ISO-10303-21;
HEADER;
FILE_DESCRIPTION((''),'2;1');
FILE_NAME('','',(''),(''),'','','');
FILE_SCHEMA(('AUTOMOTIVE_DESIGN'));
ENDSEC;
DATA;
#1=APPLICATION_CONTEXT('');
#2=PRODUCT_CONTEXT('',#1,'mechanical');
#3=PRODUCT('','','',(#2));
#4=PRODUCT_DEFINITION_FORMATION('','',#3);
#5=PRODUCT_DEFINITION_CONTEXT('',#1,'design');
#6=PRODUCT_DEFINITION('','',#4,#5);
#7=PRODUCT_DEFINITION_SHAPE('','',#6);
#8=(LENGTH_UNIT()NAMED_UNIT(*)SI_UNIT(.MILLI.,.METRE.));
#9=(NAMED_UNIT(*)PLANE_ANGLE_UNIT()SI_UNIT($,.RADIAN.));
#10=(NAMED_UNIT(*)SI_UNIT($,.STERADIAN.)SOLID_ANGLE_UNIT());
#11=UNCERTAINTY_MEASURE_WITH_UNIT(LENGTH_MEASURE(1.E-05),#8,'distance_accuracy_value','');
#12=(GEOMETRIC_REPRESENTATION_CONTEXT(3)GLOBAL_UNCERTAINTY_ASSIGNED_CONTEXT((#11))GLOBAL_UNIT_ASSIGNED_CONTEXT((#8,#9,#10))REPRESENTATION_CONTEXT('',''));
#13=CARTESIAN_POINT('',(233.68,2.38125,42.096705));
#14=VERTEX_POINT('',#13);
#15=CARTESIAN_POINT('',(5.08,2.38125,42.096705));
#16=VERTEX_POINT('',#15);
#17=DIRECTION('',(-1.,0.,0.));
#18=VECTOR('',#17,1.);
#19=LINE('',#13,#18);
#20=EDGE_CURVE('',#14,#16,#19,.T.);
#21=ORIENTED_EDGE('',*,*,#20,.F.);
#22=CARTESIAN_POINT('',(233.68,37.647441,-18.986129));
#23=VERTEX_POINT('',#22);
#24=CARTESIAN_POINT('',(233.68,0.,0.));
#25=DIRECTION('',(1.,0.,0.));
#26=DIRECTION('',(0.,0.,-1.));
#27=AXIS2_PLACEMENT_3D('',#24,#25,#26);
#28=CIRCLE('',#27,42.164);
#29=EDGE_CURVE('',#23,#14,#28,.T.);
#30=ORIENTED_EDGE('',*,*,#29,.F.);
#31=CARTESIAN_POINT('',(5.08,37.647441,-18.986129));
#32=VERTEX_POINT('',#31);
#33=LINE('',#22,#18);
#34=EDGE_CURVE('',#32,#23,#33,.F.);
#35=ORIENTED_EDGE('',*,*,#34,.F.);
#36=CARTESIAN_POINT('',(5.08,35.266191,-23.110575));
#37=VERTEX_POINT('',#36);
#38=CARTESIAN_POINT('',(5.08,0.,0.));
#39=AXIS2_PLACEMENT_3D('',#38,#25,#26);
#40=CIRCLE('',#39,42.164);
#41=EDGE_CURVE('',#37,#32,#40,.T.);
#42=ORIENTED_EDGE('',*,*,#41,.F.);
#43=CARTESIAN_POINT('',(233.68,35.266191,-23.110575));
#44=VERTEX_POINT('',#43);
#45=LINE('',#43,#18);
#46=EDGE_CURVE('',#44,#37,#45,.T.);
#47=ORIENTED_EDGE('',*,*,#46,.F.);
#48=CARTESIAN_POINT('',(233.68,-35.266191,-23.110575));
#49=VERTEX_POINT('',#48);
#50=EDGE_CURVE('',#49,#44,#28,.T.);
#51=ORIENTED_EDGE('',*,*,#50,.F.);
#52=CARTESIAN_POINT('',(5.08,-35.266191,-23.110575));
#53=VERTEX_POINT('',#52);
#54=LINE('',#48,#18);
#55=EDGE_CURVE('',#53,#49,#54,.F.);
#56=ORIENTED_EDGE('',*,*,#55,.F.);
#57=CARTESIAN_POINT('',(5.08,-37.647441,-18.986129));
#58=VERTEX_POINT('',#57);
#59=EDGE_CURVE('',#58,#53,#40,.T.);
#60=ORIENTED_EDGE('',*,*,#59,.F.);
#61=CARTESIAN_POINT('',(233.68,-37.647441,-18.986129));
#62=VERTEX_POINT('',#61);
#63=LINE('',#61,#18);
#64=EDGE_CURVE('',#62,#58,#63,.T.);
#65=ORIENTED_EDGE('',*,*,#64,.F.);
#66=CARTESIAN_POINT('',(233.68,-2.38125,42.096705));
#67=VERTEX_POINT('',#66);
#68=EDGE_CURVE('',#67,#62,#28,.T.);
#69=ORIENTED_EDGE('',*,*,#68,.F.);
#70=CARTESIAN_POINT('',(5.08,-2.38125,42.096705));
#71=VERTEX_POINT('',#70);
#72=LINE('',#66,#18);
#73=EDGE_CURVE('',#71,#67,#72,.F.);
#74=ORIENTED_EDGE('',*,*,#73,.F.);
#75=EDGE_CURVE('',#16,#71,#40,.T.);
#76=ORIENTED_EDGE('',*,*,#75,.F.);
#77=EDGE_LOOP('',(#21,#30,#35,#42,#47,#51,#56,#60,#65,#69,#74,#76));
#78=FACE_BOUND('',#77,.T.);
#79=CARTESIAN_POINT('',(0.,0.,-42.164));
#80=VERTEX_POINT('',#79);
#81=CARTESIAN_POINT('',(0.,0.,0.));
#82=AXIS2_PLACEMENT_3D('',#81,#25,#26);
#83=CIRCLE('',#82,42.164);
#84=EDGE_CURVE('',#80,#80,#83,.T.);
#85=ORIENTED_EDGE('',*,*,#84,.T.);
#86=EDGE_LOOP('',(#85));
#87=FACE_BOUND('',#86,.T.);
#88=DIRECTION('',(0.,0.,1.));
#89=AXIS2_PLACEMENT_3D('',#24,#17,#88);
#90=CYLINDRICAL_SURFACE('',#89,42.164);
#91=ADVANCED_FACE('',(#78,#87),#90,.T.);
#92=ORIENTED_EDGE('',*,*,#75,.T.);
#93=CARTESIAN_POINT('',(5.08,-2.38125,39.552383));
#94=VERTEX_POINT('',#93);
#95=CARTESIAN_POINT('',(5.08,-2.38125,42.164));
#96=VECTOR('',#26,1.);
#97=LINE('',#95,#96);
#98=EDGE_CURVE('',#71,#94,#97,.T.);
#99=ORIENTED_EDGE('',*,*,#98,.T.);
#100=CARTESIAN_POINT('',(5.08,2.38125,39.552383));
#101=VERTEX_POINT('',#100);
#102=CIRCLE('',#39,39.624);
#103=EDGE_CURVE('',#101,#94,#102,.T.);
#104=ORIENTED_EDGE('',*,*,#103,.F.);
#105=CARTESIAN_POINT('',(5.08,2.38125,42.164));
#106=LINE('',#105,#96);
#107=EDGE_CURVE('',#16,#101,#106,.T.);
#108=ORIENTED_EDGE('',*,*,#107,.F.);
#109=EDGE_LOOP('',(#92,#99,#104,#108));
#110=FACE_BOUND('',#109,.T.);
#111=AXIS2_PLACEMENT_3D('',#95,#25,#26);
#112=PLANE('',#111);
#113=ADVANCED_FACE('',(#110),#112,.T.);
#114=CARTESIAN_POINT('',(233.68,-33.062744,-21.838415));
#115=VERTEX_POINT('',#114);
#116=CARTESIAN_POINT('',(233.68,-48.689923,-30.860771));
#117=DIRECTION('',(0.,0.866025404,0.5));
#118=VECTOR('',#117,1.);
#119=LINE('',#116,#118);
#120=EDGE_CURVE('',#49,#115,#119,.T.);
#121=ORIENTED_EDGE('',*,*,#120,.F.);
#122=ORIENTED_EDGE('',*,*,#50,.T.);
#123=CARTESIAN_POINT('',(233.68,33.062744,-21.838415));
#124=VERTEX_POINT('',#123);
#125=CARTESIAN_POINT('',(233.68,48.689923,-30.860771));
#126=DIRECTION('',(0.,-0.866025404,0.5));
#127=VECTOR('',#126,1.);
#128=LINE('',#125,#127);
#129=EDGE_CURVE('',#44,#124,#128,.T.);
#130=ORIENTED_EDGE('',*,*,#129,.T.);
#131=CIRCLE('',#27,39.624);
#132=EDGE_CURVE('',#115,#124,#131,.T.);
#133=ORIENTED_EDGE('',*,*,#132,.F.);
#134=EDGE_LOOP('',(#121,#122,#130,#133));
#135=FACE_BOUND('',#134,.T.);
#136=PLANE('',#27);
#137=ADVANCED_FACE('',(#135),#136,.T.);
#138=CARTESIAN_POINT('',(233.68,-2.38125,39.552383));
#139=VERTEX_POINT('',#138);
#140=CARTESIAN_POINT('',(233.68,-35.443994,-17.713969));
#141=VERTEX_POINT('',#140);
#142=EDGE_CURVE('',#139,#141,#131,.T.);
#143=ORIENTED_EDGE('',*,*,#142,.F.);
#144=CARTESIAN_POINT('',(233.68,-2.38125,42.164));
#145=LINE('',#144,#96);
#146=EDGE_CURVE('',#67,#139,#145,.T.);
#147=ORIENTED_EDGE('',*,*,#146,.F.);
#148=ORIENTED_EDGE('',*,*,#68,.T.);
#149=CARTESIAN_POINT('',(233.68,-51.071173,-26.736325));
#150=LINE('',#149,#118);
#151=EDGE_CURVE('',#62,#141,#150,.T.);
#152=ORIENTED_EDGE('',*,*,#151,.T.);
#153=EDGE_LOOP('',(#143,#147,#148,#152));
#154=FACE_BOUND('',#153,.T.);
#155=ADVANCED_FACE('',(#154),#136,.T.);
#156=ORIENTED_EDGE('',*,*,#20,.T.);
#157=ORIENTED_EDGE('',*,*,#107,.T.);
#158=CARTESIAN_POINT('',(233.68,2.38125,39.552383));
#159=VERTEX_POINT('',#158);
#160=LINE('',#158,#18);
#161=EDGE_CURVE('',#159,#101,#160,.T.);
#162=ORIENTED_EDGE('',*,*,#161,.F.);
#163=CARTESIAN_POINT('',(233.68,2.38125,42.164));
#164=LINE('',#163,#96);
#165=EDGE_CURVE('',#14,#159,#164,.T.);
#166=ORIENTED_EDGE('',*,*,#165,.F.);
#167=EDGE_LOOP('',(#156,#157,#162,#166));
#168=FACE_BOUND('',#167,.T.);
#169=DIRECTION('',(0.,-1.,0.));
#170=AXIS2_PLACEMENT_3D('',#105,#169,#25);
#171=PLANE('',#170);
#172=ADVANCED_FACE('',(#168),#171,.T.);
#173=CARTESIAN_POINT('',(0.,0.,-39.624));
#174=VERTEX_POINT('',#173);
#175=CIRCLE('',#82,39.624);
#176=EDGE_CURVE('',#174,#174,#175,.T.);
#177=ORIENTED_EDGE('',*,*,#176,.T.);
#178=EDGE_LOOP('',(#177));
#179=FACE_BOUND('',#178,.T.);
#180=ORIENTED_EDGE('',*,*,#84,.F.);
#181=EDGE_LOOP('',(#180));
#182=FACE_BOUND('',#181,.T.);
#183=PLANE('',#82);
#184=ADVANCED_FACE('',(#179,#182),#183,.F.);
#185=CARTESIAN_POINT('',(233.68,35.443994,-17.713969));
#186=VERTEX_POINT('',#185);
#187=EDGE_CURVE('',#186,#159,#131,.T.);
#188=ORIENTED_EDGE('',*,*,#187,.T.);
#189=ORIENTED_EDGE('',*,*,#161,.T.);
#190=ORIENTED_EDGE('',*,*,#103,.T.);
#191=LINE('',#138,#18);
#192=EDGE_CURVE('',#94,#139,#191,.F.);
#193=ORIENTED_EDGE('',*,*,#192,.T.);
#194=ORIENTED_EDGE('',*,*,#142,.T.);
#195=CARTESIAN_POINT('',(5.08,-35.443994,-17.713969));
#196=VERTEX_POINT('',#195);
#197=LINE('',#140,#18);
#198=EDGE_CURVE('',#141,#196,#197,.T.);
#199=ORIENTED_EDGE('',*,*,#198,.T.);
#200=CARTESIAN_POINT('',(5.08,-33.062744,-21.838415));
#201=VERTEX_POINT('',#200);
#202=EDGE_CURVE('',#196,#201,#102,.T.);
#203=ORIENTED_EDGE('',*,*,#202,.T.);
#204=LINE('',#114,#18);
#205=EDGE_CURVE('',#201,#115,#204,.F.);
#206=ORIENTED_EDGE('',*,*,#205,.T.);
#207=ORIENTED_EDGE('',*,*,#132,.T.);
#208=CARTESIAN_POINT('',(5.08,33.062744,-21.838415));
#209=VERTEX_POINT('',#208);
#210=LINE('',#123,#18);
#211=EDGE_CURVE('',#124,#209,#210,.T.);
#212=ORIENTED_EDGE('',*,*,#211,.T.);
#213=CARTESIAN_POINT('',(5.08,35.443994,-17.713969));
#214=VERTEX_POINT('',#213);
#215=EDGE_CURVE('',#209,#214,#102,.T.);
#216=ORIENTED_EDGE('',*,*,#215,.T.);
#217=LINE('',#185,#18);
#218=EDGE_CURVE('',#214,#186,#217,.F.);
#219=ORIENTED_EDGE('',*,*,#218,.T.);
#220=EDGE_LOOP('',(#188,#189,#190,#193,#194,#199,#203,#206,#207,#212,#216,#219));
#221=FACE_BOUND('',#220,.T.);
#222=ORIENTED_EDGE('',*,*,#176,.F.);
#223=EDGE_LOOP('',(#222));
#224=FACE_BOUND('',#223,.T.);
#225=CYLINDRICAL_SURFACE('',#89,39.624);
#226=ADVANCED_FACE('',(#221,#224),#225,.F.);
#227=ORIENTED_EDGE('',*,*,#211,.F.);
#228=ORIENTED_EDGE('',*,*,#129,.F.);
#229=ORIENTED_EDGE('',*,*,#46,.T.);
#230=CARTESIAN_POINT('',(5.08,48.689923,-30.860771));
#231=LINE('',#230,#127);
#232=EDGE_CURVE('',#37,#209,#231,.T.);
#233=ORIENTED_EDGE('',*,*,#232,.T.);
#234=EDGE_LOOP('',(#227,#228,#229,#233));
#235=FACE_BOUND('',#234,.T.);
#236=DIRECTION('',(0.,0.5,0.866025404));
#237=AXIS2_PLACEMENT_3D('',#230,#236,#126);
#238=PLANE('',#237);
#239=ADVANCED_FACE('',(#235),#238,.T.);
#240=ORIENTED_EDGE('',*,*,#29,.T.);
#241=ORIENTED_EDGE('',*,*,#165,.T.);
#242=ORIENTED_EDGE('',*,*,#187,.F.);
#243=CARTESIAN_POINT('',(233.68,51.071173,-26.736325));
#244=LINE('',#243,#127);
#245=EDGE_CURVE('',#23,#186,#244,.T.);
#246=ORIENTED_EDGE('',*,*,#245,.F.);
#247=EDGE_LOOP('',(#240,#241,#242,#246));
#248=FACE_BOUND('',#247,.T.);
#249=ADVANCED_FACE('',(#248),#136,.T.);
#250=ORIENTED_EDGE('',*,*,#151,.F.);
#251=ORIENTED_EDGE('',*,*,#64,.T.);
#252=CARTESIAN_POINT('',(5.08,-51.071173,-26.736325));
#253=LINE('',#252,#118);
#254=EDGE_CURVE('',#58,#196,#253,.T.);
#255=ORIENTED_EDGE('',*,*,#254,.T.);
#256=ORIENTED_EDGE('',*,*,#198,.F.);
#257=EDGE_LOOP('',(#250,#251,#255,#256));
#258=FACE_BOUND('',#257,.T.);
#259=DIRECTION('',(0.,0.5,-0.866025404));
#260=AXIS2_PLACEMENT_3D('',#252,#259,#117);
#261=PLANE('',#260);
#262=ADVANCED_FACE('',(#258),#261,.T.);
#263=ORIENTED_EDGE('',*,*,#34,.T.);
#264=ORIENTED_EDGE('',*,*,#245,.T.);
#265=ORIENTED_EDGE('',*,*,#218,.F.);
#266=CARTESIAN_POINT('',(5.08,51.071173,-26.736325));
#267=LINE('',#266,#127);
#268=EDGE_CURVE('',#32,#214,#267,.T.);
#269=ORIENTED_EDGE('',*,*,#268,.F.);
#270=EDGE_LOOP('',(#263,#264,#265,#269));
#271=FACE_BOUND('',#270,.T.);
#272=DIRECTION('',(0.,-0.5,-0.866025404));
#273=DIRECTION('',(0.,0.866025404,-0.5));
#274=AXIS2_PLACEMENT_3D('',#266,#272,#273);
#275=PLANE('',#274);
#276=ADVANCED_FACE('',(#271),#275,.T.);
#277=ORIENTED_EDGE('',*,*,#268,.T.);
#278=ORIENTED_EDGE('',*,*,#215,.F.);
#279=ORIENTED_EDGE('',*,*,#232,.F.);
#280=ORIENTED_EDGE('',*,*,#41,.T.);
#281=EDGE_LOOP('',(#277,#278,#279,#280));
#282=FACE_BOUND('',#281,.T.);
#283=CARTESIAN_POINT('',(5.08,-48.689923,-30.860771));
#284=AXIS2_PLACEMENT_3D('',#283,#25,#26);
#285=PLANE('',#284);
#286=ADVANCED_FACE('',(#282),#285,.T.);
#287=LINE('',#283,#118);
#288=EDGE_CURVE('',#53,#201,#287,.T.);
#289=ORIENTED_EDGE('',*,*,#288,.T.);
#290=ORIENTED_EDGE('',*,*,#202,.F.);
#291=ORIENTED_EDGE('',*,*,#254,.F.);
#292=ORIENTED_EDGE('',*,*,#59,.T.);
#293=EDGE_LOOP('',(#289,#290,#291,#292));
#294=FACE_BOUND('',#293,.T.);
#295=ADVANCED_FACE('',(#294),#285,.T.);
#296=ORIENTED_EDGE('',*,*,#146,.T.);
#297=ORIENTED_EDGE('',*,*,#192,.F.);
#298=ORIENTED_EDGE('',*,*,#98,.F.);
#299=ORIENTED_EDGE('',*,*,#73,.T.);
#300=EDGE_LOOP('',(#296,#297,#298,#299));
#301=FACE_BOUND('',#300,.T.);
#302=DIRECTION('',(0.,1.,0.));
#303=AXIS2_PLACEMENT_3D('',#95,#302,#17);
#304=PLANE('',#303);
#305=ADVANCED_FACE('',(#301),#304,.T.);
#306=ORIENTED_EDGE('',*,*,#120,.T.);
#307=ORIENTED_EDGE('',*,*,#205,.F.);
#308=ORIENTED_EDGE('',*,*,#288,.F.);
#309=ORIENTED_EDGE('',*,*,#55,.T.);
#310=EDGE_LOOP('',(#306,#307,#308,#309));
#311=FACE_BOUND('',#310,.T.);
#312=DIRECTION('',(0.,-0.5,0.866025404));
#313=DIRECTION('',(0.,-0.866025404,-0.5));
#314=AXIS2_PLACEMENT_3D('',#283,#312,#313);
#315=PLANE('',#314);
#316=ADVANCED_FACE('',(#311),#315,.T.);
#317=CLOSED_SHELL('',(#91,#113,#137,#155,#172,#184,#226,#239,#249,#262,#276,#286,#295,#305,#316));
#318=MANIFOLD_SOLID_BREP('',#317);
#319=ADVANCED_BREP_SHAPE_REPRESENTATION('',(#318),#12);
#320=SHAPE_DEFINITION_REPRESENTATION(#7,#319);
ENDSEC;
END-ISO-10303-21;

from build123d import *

# Parameters (mm, degrees)
SKETCH1_R           = 42.164
SKETCH1_R_2         = 39.624
BOSS_EXTRUDE1_DEPTH = 233.68
SKETCH2_W           = 4.7625
SKETCH2_H           = 228.6
CUT_EXTRUDE1_DEPTH  = 242.167883832
CIRPATTERN1_COUNT   = 3


with BuildPart() as part:
    # Sketch1 → Boss-Extrude1 (new body)
    with BuildSketch(Plane.YZ):
        with Locations(Location((0, 0, 0), (0, 0, 90))):
            Circle(SKETCH1_R)
        with Locations(Location((0, 0, 0), (0, 0, 90))):
            Circle(SKETCH1_R_2, mode=Mode.SUBTRACT)
    extrude(amount=BOSS_EXTRUDE1_DEPTH)

    # Sketch2 → Cut-Extrude1 (cut, through all)
    with BuildSketch(Plane(origin=(0, 0, 0), x_dir=(0, 1, 0), z_dir=(0, 0, 1))):
        with Locations((0, -119.38)):
            Rectangle(SKETCH2_W, SKETCH2_H)
    cut_extrude1 = extrude(amount=CUT_EXTRUDE1_DEPTH, mode=Mode.SUBTRACT)

    # CirPattern1: Cut-Extrude1 ×3 about axis
    cirpattern1_axis = Axis((0, 0, 0), (1, 0, 0))
    for i in range(1, CIRPATTERN1_COUNT):
        add(cut_extrude1.rotate(cirpattern1_axis, i * 360 / CIRPATTERN1_COUNT), mode=Mode.SUBTRACT)


solid = part.part
